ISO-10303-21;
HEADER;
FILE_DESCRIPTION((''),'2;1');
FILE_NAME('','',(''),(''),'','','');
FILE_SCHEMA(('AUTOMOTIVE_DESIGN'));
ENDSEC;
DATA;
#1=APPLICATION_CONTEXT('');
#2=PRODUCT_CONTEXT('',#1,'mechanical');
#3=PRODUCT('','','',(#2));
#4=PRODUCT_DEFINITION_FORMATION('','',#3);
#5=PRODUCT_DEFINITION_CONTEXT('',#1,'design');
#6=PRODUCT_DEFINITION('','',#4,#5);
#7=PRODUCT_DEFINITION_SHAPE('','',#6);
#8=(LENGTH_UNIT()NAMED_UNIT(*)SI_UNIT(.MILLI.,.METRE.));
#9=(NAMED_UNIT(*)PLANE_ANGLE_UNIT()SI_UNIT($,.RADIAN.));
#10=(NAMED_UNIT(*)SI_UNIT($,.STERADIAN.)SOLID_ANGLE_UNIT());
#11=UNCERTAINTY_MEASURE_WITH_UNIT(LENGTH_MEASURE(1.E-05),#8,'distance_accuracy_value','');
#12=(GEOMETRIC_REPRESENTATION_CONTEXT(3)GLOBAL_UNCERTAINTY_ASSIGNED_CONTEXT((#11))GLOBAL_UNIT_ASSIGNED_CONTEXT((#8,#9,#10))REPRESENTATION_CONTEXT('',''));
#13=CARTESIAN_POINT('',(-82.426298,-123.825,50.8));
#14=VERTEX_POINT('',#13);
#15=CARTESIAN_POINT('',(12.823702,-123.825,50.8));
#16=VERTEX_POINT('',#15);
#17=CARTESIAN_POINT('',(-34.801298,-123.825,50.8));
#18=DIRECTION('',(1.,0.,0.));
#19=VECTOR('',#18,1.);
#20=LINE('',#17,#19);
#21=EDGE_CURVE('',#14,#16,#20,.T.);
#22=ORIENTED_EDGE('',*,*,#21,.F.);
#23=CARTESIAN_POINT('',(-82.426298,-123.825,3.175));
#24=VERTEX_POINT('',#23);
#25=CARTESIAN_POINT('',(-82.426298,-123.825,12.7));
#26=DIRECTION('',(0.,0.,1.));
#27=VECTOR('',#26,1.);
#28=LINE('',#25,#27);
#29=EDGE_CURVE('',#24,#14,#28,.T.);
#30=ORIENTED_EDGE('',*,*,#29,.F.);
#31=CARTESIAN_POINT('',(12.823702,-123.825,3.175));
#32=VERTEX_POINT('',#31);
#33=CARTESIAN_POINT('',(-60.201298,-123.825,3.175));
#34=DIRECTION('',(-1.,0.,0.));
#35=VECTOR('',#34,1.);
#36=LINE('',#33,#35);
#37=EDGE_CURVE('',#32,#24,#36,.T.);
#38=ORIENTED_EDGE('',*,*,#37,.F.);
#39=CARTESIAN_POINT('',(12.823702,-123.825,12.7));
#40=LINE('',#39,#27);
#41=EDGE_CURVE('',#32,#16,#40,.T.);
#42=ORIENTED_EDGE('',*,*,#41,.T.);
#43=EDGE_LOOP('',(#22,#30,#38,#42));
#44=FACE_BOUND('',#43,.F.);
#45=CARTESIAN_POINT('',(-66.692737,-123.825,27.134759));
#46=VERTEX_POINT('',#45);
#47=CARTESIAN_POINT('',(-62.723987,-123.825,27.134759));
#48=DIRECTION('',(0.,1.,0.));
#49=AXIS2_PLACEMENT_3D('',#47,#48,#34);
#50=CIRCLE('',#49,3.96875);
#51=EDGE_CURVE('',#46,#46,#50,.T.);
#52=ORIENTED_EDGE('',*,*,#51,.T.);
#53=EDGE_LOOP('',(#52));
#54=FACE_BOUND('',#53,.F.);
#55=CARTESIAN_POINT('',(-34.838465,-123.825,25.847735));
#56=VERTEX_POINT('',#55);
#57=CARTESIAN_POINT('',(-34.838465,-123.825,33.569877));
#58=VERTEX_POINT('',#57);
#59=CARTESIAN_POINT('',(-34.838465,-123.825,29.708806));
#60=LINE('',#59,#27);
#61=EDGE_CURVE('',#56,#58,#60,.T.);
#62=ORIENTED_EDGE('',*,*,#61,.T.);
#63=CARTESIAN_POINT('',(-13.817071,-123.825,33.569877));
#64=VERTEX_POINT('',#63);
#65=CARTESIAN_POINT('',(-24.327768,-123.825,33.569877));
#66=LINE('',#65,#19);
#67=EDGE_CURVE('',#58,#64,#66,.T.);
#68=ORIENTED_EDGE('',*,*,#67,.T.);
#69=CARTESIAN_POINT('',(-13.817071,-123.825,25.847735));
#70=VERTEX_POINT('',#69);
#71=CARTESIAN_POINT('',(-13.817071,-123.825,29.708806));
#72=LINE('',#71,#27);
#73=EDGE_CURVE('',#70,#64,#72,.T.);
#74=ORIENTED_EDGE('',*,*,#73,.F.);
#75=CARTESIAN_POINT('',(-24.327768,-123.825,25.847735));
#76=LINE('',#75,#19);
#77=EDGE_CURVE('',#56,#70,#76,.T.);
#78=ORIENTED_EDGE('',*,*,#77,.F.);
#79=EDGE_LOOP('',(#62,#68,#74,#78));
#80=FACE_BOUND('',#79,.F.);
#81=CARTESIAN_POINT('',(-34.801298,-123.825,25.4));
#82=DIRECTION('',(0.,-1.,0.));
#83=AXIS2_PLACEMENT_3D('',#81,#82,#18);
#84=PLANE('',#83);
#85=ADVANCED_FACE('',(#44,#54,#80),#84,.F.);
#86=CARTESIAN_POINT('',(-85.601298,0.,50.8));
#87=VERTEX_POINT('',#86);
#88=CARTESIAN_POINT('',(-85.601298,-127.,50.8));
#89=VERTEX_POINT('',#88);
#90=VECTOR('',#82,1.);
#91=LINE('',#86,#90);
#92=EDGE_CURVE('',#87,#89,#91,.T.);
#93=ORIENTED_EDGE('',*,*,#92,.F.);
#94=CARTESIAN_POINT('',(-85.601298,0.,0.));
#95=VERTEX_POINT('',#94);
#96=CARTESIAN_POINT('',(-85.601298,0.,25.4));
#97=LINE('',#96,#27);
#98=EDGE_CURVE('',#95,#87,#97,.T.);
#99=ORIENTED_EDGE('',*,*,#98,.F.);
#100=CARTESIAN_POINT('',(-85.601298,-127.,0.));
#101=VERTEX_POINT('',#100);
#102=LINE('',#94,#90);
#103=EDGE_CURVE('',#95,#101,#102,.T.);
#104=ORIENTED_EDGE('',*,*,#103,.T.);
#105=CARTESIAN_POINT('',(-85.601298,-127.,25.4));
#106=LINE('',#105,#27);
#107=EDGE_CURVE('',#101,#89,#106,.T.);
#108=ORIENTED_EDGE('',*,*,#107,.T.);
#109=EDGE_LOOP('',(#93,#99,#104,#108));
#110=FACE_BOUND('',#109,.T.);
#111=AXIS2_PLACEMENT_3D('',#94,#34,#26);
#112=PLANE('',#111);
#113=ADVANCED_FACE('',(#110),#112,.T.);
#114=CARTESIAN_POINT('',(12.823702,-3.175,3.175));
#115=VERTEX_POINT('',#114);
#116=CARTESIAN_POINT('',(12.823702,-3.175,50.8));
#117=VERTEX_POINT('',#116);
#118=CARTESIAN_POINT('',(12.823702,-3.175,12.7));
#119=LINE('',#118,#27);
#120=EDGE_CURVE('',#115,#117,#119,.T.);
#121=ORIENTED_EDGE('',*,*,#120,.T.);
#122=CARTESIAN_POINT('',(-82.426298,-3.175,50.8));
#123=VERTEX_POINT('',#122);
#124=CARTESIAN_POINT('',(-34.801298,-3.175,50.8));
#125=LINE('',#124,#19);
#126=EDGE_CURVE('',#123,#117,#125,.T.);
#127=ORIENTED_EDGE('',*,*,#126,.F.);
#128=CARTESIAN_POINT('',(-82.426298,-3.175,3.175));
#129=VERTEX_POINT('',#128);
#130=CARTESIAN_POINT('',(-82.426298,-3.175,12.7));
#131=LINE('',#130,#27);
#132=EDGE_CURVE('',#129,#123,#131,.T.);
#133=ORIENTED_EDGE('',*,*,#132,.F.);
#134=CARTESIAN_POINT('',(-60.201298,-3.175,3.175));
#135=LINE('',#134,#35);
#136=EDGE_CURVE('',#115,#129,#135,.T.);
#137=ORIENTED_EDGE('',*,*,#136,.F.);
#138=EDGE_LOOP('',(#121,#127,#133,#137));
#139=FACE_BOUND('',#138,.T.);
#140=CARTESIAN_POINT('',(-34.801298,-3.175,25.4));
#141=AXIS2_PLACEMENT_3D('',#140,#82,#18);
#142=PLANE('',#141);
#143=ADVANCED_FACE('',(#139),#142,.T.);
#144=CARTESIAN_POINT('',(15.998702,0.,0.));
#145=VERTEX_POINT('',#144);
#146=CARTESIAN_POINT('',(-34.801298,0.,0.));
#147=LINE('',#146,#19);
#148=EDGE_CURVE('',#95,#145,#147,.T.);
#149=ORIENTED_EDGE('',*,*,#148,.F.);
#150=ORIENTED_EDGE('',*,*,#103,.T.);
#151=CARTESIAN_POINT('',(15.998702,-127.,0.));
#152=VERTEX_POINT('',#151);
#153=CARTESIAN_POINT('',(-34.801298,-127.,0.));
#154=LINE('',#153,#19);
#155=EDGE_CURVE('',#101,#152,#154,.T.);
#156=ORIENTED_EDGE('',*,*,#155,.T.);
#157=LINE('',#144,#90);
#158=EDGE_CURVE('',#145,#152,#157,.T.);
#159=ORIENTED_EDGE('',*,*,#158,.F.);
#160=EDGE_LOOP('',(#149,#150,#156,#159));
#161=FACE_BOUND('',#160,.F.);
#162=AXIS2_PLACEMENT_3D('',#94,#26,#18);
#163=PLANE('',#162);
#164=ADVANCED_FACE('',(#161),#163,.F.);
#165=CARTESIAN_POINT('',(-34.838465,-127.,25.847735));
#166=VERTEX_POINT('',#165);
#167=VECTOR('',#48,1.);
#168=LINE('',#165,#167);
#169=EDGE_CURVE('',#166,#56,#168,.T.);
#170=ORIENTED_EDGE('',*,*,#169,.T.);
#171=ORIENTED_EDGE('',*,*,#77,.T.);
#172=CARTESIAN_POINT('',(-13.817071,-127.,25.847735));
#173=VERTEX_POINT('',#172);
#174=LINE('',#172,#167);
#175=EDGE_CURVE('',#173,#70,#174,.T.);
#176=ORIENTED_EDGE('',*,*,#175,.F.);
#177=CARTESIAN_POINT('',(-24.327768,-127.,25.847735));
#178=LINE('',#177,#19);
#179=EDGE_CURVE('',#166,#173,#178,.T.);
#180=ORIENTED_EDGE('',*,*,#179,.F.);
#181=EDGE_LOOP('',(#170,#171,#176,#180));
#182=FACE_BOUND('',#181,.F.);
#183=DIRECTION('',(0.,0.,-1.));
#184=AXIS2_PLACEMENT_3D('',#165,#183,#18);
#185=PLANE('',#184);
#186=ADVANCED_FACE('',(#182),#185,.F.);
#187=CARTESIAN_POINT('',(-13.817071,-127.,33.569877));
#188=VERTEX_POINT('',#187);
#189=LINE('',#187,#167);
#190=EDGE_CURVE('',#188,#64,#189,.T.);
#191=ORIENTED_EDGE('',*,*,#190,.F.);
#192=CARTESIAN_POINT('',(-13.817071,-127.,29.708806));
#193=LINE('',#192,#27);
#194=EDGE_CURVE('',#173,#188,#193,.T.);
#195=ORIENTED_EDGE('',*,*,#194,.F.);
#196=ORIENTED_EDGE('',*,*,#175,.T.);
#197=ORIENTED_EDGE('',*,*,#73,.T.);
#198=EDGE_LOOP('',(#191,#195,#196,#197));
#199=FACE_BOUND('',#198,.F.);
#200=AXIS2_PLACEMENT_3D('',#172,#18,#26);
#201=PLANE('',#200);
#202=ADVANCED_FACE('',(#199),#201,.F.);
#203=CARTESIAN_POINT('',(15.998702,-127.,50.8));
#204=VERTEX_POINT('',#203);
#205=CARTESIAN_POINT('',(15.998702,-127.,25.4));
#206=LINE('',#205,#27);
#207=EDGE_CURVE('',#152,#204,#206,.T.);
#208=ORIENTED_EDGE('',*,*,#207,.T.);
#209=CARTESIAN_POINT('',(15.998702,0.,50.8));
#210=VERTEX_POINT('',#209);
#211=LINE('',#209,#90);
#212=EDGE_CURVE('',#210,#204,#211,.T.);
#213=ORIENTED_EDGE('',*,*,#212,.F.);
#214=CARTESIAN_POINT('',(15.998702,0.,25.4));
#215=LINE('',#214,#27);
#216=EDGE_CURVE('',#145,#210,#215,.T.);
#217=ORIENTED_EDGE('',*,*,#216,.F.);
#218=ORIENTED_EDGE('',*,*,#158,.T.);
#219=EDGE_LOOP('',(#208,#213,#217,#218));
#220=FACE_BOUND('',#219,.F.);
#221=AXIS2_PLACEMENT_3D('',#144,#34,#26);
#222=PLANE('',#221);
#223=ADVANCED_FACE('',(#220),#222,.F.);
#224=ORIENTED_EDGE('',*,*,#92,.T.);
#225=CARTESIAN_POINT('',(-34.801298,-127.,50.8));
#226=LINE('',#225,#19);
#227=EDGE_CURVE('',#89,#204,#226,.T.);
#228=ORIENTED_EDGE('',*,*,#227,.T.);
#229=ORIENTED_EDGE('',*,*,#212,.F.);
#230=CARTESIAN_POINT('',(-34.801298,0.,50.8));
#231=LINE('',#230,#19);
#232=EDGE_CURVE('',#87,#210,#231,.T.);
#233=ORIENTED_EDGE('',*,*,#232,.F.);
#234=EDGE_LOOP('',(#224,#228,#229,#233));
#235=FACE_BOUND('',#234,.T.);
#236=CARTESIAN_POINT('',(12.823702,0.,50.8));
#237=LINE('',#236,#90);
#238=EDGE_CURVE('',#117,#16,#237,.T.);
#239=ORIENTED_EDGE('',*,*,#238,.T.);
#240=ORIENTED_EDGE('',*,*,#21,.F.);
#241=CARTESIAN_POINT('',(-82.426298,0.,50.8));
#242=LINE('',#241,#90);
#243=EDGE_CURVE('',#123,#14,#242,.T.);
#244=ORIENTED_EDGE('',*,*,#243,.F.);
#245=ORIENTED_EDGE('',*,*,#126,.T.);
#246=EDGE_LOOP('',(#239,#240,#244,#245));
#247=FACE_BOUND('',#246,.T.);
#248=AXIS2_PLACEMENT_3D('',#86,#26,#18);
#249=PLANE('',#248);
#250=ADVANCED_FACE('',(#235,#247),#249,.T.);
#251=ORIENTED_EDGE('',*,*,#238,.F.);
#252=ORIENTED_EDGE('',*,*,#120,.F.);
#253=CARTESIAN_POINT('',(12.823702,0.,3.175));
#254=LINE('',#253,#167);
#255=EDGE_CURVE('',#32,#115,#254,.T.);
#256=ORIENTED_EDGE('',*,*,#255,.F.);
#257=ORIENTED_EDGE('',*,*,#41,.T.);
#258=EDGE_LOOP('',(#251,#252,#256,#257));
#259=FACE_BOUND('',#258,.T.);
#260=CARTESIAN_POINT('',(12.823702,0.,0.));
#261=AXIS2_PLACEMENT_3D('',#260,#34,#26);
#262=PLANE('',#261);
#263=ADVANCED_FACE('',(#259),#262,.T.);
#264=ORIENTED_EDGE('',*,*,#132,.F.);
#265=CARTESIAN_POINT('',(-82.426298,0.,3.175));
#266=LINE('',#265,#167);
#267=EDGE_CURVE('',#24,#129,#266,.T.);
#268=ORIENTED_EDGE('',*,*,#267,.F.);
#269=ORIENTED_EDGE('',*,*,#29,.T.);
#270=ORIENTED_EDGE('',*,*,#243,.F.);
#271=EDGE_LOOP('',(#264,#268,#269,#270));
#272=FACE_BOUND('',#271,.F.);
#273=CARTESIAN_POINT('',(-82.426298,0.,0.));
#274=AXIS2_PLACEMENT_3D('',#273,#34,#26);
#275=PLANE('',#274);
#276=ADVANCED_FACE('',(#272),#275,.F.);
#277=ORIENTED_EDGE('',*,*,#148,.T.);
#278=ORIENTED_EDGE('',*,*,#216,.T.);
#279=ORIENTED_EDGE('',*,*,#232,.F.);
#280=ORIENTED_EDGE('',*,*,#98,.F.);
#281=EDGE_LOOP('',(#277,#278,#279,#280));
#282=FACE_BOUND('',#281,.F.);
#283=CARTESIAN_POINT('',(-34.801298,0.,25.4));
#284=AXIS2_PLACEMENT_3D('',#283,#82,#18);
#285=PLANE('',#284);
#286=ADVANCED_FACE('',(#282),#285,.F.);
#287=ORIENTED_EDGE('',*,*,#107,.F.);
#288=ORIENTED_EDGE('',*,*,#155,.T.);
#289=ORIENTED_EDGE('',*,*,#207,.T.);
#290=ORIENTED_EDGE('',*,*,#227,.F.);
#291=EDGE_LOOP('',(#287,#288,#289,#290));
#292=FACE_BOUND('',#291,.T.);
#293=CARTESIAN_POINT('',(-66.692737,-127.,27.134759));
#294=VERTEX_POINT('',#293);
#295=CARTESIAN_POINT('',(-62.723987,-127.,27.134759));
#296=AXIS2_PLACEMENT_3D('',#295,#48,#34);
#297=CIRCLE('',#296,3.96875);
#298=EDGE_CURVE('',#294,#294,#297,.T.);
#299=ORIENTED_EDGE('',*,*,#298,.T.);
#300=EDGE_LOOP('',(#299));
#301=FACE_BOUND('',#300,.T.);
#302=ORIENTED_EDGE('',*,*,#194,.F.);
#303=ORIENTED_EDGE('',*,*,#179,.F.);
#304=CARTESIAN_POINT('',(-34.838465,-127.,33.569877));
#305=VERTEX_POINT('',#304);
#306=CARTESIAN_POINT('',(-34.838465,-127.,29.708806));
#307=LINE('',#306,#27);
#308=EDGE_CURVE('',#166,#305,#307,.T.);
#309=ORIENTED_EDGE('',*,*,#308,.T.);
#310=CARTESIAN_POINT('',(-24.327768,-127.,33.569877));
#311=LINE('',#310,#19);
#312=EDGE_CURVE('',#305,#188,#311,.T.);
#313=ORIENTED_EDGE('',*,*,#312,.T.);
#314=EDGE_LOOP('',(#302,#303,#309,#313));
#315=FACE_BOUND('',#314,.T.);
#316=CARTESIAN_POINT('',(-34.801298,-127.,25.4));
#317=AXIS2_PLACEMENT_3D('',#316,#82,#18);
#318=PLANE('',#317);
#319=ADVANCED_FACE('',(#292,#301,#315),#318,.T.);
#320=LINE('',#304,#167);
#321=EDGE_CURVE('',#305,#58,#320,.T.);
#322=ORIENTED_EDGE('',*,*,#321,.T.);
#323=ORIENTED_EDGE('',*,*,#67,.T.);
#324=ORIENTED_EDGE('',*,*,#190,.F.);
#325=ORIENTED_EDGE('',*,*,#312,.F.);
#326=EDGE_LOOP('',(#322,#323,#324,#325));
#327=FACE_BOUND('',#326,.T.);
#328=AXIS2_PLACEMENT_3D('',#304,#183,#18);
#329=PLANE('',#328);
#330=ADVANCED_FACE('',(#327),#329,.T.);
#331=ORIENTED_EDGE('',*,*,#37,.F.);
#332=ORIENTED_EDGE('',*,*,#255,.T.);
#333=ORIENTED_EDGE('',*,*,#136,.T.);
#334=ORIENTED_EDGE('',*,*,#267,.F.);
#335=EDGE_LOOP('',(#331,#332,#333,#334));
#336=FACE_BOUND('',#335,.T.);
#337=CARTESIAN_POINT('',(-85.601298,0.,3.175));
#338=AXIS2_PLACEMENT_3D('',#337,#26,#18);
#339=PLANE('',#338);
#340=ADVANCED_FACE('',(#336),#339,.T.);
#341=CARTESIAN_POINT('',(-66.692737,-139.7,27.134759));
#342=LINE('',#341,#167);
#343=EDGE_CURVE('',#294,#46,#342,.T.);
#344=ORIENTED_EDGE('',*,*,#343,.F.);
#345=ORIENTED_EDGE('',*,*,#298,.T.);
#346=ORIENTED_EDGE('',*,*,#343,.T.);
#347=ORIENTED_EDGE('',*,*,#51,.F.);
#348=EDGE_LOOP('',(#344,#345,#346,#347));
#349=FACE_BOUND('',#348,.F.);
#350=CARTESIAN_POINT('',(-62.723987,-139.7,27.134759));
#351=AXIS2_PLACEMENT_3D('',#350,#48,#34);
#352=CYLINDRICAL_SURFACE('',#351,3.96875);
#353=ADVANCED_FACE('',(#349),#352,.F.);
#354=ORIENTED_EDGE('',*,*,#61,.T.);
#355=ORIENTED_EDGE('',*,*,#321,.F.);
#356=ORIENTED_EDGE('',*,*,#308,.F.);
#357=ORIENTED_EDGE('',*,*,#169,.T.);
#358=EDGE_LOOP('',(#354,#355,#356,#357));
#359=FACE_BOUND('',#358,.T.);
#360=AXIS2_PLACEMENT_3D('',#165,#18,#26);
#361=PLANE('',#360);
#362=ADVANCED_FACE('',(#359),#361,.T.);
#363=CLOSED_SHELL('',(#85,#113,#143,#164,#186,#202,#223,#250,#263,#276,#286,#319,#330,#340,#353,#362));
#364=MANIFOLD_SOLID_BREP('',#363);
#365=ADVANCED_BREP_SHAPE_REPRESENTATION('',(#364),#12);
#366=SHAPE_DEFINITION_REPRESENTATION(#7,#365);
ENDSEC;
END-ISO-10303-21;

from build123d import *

# Parameters (mm, degrees)
F0_W     = 101.6
F0_H     = 50.8
F1_DEPTH = 127
F2_T     = -3.175
F4_D     = 7.9375
F4_DEPTH = 12.7
F5_W     = 21.021394
F5_H     = 7.722143
F6_DEPTH = 3.175


with BuildPart() as f1:
    # F0 (on Front) → F1 (new body)
    with BuildSketch(Plane.XZ):
        with Locations((-34.801298, 25.4)):
            Rectangle(F0_W, F0_H)
    extrude(amount=F1_DEPTH)

    # F2
    f2_openings = [f1.faces().sort_by_distance(p)[0] for p in [
        (-34.801298, -63.5, 50.8),
    ]]
    offset(amount=F2_T, openings=f2_openings)

    # F4
    with Locations(Plane.XZ.offset(127)):
        with Locations((-62.723987, 27.134759)):
            Hole(F4_D / 2, depth=F4_DEPTH)

    # F5 (on face) → F6 (cut, through all)
    with BuildSketch(Plane.XZ.offset(127)):
        with Locations((-24.327768, 29.708806)):
            Rectangle(F5_W, F5_H)
    extrude(amount=-F6_DEPTH, mode=Mode.SUBTRACT)


solid = f1.part
